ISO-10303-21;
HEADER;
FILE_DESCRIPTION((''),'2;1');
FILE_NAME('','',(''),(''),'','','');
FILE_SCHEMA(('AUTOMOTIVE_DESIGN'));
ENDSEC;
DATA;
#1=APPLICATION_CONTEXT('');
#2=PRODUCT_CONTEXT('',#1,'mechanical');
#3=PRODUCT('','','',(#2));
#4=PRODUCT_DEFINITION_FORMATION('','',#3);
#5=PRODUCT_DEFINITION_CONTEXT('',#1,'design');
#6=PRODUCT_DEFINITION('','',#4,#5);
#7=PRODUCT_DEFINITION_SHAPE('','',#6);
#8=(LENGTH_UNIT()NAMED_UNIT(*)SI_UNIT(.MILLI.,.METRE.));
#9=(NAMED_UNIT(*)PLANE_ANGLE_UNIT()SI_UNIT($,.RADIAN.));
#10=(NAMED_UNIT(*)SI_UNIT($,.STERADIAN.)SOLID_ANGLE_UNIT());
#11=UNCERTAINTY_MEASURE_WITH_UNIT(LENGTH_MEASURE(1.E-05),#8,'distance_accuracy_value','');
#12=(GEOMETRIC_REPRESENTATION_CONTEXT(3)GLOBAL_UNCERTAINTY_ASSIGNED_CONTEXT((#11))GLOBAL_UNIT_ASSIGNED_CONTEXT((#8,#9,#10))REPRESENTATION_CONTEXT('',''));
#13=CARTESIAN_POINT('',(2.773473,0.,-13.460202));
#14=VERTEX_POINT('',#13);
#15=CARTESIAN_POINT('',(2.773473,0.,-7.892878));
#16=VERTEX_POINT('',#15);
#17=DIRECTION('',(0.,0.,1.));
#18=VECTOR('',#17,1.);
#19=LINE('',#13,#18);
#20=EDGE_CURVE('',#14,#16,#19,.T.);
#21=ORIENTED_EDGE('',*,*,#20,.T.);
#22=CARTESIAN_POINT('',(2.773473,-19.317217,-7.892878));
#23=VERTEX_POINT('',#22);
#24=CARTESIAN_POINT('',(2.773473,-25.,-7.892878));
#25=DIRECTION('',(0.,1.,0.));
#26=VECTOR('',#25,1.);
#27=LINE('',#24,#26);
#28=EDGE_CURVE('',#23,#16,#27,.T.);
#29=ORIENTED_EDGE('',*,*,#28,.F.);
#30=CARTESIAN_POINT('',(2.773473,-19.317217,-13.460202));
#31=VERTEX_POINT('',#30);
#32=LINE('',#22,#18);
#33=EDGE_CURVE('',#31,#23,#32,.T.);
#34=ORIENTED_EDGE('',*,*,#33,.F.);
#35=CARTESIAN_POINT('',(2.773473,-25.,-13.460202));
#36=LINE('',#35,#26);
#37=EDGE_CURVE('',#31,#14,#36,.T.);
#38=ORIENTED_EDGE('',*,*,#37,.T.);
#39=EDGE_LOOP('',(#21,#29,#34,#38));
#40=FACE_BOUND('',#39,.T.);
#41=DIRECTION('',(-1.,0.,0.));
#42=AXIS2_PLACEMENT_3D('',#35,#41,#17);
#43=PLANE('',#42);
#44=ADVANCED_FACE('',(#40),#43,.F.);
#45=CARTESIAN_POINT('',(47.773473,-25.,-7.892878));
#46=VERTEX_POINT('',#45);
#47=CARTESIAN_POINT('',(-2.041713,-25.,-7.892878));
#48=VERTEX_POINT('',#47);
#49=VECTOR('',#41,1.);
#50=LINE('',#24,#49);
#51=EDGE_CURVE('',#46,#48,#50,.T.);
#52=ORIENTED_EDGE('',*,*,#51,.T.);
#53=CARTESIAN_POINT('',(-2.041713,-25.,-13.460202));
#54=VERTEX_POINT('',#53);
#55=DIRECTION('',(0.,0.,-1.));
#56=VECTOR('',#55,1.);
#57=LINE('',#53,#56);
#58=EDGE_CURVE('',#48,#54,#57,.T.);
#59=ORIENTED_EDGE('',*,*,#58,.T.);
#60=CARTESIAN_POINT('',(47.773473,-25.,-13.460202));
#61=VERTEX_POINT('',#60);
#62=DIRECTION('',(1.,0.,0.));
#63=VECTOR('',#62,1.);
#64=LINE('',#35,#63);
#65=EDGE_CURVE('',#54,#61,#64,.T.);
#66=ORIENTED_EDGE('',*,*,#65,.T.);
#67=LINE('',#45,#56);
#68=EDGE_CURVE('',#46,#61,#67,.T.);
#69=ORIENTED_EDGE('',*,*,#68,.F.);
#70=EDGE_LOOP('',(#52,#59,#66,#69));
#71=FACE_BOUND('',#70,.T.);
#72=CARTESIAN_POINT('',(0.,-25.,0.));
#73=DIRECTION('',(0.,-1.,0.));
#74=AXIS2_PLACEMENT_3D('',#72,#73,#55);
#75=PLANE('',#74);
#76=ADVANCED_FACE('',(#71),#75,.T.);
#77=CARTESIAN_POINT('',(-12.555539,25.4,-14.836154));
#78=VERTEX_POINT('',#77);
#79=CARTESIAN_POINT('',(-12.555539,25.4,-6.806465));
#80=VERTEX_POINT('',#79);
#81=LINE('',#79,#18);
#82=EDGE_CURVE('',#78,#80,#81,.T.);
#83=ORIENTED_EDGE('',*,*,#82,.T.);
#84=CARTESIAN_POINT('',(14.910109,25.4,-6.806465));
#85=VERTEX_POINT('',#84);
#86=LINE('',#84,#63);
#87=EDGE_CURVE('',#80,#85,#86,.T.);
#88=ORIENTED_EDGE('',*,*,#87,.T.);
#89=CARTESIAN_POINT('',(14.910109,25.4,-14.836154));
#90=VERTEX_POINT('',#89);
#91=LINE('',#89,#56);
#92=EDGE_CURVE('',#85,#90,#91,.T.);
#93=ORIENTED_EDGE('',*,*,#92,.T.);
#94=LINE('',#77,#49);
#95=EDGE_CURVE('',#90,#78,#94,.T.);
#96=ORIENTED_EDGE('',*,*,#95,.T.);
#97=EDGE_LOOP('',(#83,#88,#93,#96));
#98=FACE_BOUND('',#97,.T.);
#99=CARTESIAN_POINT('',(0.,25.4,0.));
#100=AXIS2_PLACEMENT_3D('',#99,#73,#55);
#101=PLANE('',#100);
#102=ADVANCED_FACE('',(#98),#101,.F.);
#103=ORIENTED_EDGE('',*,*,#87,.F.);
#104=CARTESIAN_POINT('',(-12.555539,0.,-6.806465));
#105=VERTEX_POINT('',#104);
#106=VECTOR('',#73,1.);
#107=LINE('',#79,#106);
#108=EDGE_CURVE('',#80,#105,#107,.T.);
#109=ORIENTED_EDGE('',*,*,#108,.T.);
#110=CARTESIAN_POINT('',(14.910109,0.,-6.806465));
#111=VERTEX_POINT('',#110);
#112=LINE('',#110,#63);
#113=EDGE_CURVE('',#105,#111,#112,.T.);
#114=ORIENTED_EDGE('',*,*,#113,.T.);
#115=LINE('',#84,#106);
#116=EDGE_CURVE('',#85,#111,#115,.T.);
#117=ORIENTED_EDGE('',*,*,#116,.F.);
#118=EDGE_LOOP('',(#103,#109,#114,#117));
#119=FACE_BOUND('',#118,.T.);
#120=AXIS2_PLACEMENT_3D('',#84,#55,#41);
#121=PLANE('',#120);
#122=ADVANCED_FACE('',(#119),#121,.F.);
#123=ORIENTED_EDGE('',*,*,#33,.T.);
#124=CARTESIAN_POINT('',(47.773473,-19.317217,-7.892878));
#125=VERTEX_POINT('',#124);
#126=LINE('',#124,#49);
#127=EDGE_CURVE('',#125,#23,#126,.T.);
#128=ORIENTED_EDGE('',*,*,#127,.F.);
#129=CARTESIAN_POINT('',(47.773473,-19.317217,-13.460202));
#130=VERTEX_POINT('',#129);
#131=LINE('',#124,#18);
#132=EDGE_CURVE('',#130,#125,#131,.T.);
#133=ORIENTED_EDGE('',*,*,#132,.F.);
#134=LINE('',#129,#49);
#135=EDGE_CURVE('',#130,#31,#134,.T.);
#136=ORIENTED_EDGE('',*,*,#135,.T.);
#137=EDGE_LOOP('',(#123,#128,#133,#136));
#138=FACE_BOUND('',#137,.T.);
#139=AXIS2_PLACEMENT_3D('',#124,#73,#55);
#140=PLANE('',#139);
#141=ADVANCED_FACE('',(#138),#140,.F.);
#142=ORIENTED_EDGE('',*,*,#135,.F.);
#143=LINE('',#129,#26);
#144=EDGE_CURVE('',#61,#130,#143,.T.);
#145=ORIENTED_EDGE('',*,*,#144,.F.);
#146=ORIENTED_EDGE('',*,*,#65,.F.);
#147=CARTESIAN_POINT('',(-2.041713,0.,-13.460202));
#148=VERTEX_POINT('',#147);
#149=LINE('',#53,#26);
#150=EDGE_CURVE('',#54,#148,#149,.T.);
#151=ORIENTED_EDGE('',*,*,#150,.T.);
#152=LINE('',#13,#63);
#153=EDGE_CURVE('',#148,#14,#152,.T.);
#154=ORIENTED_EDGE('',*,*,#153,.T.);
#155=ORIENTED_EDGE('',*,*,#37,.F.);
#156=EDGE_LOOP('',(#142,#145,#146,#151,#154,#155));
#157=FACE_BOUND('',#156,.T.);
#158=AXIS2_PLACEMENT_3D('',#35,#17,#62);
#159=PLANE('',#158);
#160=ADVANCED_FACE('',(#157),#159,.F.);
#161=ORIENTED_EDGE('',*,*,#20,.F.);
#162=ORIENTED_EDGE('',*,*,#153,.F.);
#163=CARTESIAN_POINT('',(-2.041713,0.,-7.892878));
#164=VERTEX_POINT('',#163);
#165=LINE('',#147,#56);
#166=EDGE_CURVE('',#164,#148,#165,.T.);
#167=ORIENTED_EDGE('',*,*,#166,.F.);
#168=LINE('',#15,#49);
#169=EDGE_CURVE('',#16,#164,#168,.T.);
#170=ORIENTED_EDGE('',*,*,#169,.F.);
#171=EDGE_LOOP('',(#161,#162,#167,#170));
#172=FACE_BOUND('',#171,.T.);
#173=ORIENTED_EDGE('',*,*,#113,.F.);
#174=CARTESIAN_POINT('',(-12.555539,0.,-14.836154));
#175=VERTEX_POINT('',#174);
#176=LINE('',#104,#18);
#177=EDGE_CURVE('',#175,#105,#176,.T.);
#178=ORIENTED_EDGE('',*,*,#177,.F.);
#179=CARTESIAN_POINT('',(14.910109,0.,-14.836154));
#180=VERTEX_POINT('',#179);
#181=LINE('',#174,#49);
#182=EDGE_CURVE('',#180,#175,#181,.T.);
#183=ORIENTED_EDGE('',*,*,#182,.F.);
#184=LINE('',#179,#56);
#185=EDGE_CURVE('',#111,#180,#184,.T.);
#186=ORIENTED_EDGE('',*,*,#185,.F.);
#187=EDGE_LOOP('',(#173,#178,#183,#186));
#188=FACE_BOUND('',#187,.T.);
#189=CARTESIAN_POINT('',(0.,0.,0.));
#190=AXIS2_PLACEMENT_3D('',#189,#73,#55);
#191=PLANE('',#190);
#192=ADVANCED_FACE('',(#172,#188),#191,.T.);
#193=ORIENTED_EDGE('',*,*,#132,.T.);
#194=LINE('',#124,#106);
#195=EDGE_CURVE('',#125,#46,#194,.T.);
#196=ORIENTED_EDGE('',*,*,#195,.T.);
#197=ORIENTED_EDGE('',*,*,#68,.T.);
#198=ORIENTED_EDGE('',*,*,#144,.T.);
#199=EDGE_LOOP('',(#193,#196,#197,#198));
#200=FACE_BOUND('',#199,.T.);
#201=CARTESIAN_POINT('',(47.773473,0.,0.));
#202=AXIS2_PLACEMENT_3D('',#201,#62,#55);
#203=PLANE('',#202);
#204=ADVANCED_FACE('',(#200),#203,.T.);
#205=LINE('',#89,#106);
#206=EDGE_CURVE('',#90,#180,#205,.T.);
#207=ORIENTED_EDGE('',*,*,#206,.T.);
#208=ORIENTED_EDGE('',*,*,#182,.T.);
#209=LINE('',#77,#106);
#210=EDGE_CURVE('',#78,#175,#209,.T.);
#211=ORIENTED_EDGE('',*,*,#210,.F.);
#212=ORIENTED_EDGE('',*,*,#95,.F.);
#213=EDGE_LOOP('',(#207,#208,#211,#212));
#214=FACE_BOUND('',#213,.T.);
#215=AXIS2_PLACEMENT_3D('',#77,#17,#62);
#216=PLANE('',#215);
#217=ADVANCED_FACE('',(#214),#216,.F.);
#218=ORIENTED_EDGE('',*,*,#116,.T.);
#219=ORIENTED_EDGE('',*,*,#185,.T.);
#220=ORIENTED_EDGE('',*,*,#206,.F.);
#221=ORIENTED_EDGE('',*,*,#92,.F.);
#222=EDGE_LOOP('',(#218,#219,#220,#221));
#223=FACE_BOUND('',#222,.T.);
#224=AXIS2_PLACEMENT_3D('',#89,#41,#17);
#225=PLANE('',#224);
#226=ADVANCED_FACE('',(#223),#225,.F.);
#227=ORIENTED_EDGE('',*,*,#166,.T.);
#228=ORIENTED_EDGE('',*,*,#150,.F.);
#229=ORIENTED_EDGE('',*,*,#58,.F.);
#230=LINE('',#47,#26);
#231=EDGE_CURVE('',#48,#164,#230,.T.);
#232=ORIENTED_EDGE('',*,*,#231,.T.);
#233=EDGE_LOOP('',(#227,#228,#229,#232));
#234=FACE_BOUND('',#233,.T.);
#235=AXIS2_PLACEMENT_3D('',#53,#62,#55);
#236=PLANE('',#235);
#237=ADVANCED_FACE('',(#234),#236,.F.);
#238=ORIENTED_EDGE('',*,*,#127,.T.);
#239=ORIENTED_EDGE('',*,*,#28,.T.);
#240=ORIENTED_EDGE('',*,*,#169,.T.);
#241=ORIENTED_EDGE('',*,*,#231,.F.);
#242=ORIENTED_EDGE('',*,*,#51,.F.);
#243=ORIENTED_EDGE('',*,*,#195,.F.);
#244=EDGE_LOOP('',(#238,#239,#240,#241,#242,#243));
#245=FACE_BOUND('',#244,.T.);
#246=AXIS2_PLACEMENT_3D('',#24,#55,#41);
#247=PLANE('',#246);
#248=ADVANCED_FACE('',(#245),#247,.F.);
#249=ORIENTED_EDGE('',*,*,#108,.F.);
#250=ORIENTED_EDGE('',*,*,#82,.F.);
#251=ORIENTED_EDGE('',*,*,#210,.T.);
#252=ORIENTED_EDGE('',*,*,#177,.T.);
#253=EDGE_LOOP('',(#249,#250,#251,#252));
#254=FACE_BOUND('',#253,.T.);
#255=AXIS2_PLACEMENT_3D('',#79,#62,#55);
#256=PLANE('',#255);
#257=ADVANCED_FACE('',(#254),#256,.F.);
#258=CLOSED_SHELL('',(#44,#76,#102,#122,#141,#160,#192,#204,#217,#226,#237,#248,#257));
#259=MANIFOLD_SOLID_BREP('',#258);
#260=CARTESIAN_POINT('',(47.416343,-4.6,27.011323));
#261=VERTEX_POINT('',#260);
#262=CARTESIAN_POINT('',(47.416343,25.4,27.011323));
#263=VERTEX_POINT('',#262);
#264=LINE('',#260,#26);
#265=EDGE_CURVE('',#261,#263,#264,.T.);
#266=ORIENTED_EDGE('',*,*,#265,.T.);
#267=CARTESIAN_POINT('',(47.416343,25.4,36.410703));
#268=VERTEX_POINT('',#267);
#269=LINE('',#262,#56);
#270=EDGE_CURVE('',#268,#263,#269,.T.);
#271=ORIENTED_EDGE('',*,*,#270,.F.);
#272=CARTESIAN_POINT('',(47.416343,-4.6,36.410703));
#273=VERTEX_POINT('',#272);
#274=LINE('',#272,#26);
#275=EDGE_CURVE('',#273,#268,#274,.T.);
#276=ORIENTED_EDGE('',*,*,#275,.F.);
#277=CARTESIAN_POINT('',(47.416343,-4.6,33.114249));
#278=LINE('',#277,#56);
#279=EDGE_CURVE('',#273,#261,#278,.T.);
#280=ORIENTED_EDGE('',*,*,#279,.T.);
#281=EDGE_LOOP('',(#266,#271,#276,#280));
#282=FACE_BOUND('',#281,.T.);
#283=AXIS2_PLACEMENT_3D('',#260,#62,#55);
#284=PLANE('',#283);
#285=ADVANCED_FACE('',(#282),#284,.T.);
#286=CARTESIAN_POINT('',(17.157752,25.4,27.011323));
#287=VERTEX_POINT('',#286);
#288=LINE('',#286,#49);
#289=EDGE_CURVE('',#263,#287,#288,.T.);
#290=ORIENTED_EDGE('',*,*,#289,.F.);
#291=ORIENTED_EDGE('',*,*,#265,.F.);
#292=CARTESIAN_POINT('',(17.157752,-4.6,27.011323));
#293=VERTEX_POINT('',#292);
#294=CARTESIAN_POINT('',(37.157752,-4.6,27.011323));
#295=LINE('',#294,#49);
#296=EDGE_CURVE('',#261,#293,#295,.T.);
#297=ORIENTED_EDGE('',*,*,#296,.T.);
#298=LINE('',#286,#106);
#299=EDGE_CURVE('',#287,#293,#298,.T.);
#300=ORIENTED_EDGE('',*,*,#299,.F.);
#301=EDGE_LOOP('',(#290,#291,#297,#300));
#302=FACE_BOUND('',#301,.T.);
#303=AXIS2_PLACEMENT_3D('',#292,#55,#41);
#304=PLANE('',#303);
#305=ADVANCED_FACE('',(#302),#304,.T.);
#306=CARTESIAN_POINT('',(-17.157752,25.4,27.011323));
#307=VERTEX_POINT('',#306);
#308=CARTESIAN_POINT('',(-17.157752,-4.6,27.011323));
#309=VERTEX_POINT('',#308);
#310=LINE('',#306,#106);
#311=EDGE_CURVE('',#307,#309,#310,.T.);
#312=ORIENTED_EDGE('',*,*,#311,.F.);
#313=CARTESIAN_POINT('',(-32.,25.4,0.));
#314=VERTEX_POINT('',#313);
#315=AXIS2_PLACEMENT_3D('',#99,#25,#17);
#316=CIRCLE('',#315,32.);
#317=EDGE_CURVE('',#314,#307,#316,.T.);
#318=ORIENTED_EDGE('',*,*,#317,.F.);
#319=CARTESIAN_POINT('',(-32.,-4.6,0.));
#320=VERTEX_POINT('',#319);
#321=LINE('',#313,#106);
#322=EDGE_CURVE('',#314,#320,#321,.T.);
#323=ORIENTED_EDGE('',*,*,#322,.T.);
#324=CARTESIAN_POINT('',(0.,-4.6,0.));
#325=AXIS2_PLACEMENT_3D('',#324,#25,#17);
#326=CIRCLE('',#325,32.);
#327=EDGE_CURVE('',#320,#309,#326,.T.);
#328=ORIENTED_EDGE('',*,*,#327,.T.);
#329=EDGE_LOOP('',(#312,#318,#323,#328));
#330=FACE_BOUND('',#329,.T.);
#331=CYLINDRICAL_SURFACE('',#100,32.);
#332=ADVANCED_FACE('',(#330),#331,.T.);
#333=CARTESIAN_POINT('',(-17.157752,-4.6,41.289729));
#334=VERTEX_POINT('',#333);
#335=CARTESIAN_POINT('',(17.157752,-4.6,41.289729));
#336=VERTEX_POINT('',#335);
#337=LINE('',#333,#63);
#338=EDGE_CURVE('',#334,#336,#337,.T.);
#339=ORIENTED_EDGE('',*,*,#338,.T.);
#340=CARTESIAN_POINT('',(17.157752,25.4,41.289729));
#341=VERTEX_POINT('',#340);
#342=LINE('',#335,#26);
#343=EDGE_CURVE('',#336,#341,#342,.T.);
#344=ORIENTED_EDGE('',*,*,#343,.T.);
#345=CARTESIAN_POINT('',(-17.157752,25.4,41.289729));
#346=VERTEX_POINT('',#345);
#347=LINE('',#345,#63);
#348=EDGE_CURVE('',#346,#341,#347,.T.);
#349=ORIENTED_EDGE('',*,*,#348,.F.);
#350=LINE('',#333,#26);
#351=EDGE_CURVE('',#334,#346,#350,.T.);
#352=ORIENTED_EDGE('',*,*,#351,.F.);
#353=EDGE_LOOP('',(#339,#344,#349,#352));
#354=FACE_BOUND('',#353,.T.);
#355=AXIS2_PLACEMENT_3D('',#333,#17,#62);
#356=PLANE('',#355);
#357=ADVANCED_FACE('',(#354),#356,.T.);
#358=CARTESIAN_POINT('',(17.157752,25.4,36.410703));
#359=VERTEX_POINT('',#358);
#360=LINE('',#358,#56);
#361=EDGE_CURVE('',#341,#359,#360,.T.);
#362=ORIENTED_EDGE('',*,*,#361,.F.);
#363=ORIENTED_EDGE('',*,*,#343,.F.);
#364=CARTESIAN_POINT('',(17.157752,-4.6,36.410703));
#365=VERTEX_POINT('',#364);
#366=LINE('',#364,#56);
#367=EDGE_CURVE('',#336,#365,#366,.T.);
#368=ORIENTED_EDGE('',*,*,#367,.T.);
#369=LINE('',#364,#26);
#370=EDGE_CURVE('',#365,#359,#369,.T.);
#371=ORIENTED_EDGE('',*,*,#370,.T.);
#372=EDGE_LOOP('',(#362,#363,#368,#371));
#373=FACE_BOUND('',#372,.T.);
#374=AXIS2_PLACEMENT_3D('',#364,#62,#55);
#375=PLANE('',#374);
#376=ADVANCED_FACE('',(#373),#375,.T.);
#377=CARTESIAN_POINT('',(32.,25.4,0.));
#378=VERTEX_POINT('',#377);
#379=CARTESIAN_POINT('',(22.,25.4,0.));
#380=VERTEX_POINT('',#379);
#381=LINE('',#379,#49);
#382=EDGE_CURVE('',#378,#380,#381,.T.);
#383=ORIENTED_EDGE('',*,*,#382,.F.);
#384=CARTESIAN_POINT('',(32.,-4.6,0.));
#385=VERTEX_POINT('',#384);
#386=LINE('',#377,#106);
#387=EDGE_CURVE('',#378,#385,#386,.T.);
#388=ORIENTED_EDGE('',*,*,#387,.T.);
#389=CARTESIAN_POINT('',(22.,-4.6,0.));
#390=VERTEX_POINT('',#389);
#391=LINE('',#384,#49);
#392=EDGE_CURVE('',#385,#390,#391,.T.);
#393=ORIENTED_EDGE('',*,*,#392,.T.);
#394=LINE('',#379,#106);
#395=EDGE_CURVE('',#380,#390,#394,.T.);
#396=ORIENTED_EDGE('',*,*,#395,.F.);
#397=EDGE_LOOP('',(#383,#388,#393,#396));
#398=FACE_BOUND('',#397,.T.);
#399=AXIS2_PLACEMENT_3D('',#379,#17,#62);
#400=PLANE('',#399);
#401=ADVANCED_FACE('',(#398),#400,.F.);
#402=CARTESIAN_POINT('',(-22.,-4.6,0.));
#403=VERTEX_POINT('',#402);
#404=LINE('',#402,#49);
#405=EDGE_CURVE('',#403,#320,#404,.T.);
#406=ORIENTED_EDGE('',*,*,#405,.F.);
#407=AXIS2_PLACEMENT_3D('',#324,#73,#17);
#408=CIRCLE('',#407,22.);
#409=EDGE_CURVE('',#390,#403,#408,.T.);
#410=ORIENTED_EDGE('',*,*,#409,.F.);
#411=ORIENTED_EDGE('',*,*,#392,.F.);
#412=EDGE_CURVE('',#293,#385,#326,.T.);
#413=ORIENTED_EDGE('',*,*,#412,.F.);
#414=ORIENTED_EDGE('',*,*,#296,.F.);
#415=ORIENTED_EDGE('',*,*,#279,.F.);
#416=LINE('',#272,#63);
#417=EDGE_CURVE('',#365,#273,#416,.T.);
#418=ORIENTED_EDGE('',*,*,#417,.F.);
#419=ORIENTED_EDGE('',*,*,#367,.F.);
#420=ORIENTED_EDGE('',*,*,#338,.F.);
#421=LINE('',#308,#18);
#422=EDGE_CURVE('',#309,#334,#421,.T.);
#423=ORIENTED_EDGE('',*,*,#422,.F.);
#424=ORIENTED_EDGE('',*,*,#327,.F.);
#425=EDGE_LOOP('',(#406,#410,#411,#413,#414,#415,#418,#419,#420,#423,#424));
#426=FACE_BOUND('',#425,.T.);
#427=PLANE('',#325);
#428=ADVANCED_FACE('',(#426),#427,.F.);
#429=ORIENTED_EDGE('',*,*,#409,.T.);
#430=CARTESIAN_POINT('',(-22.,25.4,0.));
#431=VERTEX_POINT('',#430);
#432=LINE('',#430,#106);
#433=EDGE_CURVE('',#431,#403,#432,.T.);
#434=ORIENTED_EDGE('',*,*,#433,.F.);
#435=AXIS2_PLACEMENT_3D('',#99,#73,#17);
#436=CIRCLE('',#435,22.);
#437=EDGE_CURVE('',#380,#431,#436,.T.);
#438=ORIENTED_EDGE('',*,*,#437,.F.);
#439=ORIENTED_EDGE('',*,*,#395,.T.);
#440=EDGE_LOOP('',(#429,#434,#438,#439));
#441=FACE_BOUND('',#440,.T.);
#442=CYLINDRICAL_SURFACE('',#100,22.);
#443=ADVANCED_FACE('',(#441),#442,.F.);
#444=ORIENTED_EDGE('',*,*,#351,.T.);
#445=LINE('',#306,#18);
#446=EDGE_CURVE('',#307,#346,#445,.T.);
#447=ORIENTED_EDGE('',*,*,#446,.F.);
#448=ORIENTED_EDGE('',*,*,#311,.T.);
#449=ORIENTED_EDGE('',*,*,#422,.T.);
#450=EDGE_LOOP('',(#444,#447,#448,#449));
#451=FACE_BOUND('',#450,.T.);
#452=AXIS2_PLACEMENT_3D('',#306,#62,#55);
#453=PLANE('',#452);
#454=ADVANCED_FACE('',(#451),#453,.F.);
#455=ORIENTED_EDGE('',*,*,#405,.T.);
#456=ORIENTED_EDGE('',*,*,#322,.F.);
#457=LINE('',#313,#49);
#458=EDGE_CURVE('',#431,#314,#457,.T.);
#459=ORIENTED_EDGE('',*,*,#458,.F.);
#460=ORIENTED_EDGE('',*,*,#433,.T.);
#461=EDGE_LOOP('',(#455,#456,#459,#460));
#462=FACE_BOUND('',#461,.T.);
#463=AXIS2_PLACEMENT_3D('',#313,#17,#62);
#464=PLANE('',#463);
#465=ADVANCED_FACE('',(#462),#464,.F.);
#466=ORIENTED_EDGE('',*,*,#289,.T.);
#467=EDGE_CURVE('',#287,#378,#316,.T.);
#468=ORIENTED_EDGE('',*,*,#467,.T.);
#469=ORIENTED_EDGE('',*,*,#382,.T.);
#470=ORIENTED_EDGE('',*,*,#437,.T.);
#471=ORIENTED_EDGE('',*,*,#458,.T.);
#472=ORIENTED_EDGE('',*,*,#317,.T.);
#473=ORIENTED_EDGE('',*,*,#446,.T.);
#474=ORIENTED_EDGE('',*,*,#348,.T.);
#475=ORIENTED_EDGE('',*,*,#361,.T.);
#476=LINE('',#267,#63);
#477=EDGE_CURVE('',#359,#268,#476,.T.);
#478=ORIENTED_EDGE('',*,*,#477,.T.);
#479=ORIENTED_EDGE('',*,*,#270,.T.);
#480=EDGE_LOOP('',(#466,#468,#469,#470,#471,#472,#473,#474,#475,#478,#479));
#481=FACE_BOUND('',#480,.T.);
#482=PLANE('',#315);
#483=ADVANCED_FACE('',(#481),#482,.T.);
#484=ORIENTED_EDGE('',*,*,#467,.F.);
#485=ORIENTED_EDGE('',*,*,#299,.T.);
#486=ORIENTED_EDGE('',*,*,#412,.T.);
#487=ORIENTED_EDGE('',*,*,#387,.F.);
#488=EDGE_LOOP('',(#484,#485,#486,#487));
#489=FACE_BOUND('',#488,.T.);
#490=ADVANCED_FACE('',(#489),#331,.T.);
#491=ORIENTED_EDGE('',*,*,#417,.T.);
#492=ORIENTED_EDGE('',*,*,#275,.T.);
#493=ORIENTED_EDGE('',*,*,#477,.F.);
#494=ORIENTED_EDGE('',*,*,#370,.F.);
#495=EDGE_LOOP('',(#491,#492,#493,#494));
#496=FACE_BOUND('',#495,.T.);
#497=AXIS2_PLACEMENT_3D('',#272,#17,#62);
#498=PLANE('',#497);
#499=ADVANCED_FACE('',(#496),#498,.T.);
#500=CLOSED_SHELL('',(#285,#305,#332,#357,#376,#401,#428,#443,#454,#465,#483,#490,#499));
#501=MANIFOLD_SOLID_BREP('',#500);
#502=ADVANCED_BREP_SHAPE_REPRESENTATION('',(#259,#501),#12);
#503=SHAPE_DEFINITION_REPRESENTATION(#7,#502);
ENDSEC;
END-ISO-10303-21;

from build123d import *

# Parameters (mm, degrees)
BOSS_EXTRUDE1_DEPTH   = 25.4
SKETCH3_W             = 27.465648235
SKETCH3_H             = 8.029689019
BOSS_EXTRUDE1_2_DEPTH = 25.4
BOSS_EXTRUDE3_START   = -30
BOSS_EXTRUDE3_DEPTH   = 30
SKETCH11_W            = 4.815186011
SKETCH11_H            = 5.567324058
BOSS_EXTRUDE7_DEPTH   = 25
SKETCH12_W            = 5.567324058
SKETCH12_H            = 5.682782698
BOSS_EXTRUDE10_DEPTH  = 45


with BuildPart() as part:
    # Sketch3 → Boss-Extrude1 (new body)
    with BuildSketch(Plane(origin=(0, 0, 0), x_dir=(1, 0, 0), z_dir=(0, 1, 0))):
        with BuildLine():
            Line((-32, 0), (-22, 0))
            ThreePointArc((-22, 0), (0, -22), (22, 0))
            Line((22, 0), (32, 0))
            ThreePointArc((32, 0), (28.045035802, -15.410255249), (17.157752073, -27.011322511))
            Line((17.157752073, -27.011322511), (17.157752073, -33.11424945))
            Line((17.157752073, -33.11424945), (4.438736665, -33.11424945))
            Line((4.438736665, -33.11424945), (-17.157752073, -33.11424945))
            Line((-17.157752073, -33.11424945), (-17.157752073, -27.011322511))
            ThreePointArc((-17.157752073, -27.011322511), (-28.045035802, -15.410255249), (-32, 0))
        make_face()
    extrude(amount=BOSS_EXTRUDE1_DEPTH)

    # Sketch6 → Boss-Extrude3 (add)
    with BuildSketch(Plane(origin=(0, 25.4, 0), x_dir=(1, 0, 0), z_dir=(0, 1, 0)).offset(BOSS_EXTRUDE3_START)):
        with BuildLine():
            Line((17.157752073, -27.011322511), (37.157752073, -27.011322511))
            Line((37.157752073, -27.011322511), (47.416343202, -27.011322511))
            Line((47.416343202, -27.011322511), (47.416343202, -33.11424945))
            Line((47.416343202, -33.11424945), (47.416343202, -36.4107034))
            Line((47.416343202, -36.4107034), (17.157752073, -36.4107034))
            Line((17.157752073, -36.4107034), (17.157752073, -41.289729226))
            Line((17.157752073, -41.289729226), (-17.157752073, -41.289729226))
            Line((-17.157752073, -41.289729226), (-17.157752073, -33.11424945))
            Line((-17.157752073, -33.11424945), (-17.157752073, -27.011322511))
            ThreePointArc((-17.157752073, -27.011322511), (-28.045035802, -15.410255249), (-32, 0))
            Line((-32, 0), (-22, 0))
            ThreePointArc((-22, 0), (0, -22), (22, 0))
            Line((22, 0), (32, 0))
            ThreePointArc((32, 0), (28.045035802, -15.410255249), (17.157752073, -27.011322511))
        make_face()
    extrude(amount=BOSS_EXTRUDE3_DEPTH)


with BuildPart() as body_2:
    # Sketch3 → Boss-Extrude1 2 (new body)
    with BuildSketch(Plane(origin=(0, 0, 0), x_dir=(1, 0, 0), z_dir=(0, 1, 0))):
        with Locations((1.17728503, 10.821309715)):
            Rectangle(SKETCH3_W, SKETCH3_H)
    extrude(amount=BOSS_EXTRUDE1_2_DEPTH)

    # Sketch11 → Boss-Extrude7 (add)
    with BuildSketch(Plane(origin=(0, 0, 0), x_dir=(-1, 0, 0), z_dir=(0, -1, 0))):
        with Locations((-0.365879556, 10.676539537)):
            Rectangle(SKETCH11_W, SKETCH11_H)
    extrude(amount=BOSS_EXTRUDE7_DEPTH)

    # Sketch12 → Boss-Extrude10 (add)
    with BuildSketch(Plane(origin=(2.773472561, 0, 0), x_dir=(0, 0, -1), z_dir=(1, 0, 0))):
        with Locations((10.676539537, -22.158608651)):
            Rectangle(SKETCH12_W, SKETCH12_H)
    extrude(amount=BOSS_EXTRUDE10_DEPTH)


solid = Compound([part.part, body_2.part])
